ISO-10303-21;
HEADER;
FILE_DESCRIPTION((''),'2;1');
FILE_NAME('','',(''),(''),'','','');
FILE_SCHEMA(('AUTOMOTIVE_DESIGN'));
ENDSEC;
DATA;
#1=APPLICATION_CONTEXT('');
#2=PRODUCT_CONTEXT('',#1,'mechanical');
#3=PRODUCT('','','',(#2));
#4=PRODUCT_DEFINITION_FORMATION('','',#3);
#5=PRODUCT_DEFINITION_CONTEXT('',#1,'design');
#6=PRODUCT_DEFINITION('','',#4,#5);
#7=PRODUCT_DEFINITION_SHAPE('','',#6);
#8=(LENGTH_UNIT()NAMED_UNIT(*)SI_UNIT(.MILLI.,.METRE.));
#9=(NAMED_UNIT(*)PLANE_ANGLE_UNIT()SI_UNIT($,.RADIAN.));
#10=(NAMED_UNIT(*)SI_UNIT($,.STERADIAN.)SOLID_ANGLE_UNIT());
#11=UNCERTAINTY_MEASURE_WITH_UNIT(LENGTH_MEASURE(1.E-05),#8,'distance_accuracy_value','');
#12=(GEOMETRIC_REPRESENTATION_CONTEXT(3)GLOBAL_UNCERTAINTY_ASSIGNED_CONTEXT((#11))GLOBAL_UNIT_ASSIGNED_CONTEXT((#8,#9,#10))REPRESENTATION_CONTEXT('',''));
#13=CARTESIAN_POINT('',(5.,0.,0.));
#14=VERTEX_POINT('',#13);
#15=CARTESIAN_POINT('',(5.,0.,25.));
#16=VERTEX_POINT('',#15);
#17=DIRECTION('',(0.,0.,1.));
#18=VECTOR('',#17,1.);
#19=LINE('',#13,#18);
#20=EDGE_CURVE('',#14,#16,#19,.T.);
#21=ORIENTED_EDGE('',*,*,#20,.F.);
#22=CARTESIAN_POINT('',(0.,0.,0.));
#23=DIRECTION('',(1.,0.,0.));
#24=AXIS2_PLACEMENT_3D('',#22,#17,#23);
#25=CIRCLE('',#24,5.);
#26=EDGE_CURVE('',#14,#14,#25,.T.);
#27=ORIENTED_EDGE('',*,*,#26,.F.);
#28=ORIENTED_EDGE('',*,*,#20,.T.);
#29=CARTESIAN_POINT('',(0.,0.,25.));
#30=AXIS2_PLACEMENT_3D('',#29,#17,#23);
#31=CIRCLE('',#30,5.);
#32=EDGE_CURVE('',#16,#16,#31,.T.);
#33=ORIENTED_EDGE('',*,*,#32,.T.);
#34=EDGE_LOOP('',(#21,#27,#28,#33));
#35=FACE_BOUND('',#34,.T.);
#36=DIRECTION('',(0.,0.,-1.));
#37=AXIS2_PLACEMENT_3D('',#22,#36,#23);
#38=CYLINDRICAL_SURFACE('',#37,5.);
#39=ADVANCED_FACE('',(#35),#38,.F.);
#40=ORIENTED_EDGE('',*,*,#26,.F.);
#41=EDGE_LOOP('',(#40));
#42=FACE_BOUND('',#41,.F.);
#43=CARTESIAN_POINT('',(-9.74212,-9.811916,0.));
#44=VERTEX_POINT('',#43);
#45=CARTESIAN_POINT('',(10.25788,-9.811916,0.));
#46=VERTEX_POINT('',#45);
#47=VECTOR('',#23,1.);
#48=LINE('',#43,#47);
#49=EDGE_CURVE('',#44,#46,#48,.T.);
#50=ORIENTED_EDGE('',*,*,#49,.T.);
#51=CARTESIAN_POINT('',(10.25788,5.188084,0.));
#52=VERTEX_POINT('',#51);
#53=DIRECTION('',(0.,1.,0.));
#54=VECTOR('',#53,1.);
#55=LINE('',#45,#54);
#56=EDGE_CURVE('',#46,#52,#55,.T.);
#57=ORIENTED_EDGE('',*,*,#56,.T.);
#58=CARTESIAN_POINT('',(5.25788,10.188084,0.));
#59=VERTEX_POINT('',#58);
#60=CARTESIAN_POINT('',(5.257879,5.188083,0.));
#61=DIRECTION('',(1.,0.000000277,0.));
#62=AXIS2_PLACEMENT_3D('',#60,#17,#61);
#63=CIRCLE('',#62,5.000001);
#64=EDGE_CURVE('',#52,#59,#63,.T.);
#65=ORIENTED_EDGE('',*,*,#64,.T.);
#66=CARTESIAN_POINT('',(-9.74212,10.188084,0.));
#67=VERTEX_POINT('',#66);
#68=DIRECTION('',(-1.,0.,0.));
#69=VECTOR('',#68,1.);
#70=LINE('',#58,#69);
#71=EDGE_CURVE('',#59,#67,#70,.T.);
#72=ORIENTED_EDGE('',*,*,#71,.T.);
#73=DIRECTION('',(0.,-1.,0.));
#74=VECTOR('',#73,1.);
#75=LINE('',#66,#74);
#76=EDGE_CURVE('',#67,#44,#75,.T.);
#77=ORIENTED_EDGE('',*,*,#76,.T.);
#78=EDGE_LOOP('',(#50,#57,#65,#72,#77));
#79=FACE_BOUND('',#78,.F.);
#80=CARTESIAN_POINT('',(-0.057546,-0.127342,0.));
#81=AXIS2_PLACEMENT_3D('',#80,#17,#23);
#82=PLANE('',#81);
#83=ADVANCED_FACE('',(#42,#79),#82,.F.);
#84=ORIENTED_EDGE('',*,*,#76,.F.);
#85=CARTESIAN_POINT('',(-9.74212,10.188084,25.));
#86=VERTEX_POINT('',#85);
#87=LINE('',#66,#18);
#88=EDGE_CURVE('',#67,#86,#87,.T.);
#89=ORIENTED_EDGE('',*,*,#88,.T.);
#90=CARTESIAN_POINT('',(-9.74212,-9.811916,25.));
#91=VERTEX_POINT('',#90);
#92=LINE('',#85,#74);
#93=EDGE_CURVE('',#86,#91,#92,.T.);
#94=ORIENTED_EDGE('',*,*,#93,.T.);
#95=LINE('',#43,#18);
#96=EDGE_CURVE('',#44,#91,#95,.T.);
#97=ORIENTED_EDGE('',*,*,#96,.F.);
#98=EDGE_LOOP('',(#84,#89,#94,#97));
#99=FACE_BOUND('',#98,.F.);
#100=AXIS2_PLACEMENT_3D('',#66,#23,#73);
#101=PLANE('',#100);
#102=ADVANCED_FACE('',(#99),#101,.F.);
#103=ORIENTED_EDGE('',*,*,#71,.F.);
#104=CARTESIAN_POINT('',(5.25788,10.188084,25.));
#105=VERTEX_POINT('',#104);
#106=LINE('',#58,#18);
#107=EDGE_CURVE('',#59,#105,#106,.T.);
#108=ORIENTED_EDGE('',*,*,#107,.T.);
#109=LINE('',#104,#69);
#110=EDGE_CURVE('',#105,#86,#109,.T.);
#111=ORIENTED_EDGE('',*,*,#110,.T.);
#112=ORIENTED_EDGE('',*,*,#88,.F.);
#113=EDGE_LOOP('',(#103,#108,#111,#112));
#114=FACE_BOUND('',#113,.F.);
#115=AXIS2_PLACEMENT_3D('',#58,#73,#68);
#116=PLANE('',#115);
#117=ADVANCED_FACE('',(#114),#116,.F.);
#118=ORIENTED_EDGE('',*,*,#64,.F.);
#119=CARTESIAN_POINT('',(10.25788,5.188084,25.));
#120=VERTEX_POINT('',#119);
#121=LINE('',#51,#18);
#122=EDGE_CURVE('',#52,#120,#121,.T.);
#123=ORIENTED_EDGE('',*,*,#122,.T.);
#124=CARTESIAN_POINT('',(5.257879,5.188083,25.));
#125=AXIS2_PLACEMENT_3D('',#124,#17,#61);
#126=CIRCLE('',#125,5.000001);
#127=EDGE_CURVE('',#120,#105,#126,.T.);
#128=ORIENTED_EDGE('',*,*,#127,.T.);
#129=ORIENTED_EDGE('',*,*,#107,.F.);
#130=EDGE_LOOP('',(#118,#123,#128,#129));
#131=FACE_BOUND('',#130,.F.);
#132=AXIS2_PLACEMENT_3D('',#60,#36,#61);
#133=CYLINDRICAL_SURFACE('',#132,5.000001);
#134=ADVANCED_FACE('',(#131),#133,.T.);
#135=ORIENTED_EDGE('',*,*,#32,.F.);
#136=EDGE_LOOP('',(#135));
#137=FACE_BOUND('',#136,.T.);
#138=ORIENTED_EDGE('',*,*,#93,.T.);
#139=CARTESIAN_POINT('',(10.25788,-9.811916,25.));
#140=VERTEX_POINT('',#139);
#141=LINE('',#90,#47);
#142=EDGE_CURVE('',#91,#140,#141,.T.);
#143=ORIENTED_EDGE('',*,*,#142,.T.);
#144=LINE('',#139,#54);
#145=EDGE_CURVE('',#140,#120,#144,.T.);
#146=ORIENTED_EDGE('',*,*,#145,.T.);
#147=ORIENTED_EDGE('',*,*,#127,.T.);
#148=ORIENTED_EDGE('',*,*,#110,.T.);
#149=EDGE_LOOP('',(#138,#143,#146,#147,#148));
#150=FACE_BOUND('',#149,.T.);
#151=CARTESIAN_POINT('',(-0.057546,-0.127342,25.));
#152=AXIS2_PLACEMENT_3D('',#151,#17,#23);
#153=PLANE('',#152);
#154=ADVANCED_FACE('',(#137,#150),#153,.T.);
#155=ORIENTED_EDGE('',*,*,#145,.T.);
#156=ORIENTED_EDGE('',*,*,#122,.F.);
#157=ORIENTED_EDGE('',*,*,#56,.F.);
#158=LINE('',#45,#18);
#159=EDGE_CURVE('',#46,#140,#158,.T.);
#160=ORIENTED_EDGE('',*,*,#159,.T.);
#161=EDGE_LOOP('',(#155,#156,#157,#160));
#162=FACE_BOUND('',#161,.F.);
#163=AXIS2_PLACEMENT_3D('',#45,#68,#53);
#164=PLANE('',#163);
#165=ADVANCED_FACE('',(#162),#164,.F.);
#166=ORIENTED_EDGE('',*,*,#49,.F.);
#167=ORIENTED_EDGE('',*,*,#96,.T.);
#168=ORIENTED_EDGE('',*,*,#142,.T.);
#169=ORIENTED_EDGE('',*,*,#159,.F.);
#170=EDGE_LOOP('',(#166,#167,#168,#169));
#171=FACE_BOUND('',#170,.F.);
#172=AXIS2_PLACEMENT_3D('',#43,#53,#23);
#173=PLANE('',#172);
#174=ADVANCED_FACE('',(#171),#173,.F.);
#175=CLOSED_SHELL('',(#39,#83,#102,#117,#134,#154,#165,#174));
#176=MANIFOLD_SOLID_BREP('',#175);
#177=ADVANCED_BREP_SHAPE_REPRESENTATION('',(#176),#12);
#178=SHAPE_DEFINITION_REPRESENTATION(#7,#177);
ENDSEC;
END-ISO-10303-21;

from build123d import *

# Parameters (mm, degrees)
F0_R     = 5
F1_DEPTH = 25


with BuildPart() as f1:
    # F0 (on Top) → F1 (new body)
    with BuildSketch(Plane.XY):
        with BuildLine():
            Line((5.25788, 10.188084), (-9.74212, 10.188084))
            Line((-9.74212, 10.188084), (-9.74212, -9.811916))
            Line((-9.74212, -9.811916), (10.25788, -9.811916))
            Line((10.25788, -9.811916), (10.25788, 5.188084))
            ThreePointArc((10.25788, 5.188084), (8.793414, 8.723617), (5.25788, 10.188084))
        make_face()
        Circle(F0_R, mode=Mode.SUBTRACT)
    extrude(amount=F1_DEPTH)


solid = f1.part
